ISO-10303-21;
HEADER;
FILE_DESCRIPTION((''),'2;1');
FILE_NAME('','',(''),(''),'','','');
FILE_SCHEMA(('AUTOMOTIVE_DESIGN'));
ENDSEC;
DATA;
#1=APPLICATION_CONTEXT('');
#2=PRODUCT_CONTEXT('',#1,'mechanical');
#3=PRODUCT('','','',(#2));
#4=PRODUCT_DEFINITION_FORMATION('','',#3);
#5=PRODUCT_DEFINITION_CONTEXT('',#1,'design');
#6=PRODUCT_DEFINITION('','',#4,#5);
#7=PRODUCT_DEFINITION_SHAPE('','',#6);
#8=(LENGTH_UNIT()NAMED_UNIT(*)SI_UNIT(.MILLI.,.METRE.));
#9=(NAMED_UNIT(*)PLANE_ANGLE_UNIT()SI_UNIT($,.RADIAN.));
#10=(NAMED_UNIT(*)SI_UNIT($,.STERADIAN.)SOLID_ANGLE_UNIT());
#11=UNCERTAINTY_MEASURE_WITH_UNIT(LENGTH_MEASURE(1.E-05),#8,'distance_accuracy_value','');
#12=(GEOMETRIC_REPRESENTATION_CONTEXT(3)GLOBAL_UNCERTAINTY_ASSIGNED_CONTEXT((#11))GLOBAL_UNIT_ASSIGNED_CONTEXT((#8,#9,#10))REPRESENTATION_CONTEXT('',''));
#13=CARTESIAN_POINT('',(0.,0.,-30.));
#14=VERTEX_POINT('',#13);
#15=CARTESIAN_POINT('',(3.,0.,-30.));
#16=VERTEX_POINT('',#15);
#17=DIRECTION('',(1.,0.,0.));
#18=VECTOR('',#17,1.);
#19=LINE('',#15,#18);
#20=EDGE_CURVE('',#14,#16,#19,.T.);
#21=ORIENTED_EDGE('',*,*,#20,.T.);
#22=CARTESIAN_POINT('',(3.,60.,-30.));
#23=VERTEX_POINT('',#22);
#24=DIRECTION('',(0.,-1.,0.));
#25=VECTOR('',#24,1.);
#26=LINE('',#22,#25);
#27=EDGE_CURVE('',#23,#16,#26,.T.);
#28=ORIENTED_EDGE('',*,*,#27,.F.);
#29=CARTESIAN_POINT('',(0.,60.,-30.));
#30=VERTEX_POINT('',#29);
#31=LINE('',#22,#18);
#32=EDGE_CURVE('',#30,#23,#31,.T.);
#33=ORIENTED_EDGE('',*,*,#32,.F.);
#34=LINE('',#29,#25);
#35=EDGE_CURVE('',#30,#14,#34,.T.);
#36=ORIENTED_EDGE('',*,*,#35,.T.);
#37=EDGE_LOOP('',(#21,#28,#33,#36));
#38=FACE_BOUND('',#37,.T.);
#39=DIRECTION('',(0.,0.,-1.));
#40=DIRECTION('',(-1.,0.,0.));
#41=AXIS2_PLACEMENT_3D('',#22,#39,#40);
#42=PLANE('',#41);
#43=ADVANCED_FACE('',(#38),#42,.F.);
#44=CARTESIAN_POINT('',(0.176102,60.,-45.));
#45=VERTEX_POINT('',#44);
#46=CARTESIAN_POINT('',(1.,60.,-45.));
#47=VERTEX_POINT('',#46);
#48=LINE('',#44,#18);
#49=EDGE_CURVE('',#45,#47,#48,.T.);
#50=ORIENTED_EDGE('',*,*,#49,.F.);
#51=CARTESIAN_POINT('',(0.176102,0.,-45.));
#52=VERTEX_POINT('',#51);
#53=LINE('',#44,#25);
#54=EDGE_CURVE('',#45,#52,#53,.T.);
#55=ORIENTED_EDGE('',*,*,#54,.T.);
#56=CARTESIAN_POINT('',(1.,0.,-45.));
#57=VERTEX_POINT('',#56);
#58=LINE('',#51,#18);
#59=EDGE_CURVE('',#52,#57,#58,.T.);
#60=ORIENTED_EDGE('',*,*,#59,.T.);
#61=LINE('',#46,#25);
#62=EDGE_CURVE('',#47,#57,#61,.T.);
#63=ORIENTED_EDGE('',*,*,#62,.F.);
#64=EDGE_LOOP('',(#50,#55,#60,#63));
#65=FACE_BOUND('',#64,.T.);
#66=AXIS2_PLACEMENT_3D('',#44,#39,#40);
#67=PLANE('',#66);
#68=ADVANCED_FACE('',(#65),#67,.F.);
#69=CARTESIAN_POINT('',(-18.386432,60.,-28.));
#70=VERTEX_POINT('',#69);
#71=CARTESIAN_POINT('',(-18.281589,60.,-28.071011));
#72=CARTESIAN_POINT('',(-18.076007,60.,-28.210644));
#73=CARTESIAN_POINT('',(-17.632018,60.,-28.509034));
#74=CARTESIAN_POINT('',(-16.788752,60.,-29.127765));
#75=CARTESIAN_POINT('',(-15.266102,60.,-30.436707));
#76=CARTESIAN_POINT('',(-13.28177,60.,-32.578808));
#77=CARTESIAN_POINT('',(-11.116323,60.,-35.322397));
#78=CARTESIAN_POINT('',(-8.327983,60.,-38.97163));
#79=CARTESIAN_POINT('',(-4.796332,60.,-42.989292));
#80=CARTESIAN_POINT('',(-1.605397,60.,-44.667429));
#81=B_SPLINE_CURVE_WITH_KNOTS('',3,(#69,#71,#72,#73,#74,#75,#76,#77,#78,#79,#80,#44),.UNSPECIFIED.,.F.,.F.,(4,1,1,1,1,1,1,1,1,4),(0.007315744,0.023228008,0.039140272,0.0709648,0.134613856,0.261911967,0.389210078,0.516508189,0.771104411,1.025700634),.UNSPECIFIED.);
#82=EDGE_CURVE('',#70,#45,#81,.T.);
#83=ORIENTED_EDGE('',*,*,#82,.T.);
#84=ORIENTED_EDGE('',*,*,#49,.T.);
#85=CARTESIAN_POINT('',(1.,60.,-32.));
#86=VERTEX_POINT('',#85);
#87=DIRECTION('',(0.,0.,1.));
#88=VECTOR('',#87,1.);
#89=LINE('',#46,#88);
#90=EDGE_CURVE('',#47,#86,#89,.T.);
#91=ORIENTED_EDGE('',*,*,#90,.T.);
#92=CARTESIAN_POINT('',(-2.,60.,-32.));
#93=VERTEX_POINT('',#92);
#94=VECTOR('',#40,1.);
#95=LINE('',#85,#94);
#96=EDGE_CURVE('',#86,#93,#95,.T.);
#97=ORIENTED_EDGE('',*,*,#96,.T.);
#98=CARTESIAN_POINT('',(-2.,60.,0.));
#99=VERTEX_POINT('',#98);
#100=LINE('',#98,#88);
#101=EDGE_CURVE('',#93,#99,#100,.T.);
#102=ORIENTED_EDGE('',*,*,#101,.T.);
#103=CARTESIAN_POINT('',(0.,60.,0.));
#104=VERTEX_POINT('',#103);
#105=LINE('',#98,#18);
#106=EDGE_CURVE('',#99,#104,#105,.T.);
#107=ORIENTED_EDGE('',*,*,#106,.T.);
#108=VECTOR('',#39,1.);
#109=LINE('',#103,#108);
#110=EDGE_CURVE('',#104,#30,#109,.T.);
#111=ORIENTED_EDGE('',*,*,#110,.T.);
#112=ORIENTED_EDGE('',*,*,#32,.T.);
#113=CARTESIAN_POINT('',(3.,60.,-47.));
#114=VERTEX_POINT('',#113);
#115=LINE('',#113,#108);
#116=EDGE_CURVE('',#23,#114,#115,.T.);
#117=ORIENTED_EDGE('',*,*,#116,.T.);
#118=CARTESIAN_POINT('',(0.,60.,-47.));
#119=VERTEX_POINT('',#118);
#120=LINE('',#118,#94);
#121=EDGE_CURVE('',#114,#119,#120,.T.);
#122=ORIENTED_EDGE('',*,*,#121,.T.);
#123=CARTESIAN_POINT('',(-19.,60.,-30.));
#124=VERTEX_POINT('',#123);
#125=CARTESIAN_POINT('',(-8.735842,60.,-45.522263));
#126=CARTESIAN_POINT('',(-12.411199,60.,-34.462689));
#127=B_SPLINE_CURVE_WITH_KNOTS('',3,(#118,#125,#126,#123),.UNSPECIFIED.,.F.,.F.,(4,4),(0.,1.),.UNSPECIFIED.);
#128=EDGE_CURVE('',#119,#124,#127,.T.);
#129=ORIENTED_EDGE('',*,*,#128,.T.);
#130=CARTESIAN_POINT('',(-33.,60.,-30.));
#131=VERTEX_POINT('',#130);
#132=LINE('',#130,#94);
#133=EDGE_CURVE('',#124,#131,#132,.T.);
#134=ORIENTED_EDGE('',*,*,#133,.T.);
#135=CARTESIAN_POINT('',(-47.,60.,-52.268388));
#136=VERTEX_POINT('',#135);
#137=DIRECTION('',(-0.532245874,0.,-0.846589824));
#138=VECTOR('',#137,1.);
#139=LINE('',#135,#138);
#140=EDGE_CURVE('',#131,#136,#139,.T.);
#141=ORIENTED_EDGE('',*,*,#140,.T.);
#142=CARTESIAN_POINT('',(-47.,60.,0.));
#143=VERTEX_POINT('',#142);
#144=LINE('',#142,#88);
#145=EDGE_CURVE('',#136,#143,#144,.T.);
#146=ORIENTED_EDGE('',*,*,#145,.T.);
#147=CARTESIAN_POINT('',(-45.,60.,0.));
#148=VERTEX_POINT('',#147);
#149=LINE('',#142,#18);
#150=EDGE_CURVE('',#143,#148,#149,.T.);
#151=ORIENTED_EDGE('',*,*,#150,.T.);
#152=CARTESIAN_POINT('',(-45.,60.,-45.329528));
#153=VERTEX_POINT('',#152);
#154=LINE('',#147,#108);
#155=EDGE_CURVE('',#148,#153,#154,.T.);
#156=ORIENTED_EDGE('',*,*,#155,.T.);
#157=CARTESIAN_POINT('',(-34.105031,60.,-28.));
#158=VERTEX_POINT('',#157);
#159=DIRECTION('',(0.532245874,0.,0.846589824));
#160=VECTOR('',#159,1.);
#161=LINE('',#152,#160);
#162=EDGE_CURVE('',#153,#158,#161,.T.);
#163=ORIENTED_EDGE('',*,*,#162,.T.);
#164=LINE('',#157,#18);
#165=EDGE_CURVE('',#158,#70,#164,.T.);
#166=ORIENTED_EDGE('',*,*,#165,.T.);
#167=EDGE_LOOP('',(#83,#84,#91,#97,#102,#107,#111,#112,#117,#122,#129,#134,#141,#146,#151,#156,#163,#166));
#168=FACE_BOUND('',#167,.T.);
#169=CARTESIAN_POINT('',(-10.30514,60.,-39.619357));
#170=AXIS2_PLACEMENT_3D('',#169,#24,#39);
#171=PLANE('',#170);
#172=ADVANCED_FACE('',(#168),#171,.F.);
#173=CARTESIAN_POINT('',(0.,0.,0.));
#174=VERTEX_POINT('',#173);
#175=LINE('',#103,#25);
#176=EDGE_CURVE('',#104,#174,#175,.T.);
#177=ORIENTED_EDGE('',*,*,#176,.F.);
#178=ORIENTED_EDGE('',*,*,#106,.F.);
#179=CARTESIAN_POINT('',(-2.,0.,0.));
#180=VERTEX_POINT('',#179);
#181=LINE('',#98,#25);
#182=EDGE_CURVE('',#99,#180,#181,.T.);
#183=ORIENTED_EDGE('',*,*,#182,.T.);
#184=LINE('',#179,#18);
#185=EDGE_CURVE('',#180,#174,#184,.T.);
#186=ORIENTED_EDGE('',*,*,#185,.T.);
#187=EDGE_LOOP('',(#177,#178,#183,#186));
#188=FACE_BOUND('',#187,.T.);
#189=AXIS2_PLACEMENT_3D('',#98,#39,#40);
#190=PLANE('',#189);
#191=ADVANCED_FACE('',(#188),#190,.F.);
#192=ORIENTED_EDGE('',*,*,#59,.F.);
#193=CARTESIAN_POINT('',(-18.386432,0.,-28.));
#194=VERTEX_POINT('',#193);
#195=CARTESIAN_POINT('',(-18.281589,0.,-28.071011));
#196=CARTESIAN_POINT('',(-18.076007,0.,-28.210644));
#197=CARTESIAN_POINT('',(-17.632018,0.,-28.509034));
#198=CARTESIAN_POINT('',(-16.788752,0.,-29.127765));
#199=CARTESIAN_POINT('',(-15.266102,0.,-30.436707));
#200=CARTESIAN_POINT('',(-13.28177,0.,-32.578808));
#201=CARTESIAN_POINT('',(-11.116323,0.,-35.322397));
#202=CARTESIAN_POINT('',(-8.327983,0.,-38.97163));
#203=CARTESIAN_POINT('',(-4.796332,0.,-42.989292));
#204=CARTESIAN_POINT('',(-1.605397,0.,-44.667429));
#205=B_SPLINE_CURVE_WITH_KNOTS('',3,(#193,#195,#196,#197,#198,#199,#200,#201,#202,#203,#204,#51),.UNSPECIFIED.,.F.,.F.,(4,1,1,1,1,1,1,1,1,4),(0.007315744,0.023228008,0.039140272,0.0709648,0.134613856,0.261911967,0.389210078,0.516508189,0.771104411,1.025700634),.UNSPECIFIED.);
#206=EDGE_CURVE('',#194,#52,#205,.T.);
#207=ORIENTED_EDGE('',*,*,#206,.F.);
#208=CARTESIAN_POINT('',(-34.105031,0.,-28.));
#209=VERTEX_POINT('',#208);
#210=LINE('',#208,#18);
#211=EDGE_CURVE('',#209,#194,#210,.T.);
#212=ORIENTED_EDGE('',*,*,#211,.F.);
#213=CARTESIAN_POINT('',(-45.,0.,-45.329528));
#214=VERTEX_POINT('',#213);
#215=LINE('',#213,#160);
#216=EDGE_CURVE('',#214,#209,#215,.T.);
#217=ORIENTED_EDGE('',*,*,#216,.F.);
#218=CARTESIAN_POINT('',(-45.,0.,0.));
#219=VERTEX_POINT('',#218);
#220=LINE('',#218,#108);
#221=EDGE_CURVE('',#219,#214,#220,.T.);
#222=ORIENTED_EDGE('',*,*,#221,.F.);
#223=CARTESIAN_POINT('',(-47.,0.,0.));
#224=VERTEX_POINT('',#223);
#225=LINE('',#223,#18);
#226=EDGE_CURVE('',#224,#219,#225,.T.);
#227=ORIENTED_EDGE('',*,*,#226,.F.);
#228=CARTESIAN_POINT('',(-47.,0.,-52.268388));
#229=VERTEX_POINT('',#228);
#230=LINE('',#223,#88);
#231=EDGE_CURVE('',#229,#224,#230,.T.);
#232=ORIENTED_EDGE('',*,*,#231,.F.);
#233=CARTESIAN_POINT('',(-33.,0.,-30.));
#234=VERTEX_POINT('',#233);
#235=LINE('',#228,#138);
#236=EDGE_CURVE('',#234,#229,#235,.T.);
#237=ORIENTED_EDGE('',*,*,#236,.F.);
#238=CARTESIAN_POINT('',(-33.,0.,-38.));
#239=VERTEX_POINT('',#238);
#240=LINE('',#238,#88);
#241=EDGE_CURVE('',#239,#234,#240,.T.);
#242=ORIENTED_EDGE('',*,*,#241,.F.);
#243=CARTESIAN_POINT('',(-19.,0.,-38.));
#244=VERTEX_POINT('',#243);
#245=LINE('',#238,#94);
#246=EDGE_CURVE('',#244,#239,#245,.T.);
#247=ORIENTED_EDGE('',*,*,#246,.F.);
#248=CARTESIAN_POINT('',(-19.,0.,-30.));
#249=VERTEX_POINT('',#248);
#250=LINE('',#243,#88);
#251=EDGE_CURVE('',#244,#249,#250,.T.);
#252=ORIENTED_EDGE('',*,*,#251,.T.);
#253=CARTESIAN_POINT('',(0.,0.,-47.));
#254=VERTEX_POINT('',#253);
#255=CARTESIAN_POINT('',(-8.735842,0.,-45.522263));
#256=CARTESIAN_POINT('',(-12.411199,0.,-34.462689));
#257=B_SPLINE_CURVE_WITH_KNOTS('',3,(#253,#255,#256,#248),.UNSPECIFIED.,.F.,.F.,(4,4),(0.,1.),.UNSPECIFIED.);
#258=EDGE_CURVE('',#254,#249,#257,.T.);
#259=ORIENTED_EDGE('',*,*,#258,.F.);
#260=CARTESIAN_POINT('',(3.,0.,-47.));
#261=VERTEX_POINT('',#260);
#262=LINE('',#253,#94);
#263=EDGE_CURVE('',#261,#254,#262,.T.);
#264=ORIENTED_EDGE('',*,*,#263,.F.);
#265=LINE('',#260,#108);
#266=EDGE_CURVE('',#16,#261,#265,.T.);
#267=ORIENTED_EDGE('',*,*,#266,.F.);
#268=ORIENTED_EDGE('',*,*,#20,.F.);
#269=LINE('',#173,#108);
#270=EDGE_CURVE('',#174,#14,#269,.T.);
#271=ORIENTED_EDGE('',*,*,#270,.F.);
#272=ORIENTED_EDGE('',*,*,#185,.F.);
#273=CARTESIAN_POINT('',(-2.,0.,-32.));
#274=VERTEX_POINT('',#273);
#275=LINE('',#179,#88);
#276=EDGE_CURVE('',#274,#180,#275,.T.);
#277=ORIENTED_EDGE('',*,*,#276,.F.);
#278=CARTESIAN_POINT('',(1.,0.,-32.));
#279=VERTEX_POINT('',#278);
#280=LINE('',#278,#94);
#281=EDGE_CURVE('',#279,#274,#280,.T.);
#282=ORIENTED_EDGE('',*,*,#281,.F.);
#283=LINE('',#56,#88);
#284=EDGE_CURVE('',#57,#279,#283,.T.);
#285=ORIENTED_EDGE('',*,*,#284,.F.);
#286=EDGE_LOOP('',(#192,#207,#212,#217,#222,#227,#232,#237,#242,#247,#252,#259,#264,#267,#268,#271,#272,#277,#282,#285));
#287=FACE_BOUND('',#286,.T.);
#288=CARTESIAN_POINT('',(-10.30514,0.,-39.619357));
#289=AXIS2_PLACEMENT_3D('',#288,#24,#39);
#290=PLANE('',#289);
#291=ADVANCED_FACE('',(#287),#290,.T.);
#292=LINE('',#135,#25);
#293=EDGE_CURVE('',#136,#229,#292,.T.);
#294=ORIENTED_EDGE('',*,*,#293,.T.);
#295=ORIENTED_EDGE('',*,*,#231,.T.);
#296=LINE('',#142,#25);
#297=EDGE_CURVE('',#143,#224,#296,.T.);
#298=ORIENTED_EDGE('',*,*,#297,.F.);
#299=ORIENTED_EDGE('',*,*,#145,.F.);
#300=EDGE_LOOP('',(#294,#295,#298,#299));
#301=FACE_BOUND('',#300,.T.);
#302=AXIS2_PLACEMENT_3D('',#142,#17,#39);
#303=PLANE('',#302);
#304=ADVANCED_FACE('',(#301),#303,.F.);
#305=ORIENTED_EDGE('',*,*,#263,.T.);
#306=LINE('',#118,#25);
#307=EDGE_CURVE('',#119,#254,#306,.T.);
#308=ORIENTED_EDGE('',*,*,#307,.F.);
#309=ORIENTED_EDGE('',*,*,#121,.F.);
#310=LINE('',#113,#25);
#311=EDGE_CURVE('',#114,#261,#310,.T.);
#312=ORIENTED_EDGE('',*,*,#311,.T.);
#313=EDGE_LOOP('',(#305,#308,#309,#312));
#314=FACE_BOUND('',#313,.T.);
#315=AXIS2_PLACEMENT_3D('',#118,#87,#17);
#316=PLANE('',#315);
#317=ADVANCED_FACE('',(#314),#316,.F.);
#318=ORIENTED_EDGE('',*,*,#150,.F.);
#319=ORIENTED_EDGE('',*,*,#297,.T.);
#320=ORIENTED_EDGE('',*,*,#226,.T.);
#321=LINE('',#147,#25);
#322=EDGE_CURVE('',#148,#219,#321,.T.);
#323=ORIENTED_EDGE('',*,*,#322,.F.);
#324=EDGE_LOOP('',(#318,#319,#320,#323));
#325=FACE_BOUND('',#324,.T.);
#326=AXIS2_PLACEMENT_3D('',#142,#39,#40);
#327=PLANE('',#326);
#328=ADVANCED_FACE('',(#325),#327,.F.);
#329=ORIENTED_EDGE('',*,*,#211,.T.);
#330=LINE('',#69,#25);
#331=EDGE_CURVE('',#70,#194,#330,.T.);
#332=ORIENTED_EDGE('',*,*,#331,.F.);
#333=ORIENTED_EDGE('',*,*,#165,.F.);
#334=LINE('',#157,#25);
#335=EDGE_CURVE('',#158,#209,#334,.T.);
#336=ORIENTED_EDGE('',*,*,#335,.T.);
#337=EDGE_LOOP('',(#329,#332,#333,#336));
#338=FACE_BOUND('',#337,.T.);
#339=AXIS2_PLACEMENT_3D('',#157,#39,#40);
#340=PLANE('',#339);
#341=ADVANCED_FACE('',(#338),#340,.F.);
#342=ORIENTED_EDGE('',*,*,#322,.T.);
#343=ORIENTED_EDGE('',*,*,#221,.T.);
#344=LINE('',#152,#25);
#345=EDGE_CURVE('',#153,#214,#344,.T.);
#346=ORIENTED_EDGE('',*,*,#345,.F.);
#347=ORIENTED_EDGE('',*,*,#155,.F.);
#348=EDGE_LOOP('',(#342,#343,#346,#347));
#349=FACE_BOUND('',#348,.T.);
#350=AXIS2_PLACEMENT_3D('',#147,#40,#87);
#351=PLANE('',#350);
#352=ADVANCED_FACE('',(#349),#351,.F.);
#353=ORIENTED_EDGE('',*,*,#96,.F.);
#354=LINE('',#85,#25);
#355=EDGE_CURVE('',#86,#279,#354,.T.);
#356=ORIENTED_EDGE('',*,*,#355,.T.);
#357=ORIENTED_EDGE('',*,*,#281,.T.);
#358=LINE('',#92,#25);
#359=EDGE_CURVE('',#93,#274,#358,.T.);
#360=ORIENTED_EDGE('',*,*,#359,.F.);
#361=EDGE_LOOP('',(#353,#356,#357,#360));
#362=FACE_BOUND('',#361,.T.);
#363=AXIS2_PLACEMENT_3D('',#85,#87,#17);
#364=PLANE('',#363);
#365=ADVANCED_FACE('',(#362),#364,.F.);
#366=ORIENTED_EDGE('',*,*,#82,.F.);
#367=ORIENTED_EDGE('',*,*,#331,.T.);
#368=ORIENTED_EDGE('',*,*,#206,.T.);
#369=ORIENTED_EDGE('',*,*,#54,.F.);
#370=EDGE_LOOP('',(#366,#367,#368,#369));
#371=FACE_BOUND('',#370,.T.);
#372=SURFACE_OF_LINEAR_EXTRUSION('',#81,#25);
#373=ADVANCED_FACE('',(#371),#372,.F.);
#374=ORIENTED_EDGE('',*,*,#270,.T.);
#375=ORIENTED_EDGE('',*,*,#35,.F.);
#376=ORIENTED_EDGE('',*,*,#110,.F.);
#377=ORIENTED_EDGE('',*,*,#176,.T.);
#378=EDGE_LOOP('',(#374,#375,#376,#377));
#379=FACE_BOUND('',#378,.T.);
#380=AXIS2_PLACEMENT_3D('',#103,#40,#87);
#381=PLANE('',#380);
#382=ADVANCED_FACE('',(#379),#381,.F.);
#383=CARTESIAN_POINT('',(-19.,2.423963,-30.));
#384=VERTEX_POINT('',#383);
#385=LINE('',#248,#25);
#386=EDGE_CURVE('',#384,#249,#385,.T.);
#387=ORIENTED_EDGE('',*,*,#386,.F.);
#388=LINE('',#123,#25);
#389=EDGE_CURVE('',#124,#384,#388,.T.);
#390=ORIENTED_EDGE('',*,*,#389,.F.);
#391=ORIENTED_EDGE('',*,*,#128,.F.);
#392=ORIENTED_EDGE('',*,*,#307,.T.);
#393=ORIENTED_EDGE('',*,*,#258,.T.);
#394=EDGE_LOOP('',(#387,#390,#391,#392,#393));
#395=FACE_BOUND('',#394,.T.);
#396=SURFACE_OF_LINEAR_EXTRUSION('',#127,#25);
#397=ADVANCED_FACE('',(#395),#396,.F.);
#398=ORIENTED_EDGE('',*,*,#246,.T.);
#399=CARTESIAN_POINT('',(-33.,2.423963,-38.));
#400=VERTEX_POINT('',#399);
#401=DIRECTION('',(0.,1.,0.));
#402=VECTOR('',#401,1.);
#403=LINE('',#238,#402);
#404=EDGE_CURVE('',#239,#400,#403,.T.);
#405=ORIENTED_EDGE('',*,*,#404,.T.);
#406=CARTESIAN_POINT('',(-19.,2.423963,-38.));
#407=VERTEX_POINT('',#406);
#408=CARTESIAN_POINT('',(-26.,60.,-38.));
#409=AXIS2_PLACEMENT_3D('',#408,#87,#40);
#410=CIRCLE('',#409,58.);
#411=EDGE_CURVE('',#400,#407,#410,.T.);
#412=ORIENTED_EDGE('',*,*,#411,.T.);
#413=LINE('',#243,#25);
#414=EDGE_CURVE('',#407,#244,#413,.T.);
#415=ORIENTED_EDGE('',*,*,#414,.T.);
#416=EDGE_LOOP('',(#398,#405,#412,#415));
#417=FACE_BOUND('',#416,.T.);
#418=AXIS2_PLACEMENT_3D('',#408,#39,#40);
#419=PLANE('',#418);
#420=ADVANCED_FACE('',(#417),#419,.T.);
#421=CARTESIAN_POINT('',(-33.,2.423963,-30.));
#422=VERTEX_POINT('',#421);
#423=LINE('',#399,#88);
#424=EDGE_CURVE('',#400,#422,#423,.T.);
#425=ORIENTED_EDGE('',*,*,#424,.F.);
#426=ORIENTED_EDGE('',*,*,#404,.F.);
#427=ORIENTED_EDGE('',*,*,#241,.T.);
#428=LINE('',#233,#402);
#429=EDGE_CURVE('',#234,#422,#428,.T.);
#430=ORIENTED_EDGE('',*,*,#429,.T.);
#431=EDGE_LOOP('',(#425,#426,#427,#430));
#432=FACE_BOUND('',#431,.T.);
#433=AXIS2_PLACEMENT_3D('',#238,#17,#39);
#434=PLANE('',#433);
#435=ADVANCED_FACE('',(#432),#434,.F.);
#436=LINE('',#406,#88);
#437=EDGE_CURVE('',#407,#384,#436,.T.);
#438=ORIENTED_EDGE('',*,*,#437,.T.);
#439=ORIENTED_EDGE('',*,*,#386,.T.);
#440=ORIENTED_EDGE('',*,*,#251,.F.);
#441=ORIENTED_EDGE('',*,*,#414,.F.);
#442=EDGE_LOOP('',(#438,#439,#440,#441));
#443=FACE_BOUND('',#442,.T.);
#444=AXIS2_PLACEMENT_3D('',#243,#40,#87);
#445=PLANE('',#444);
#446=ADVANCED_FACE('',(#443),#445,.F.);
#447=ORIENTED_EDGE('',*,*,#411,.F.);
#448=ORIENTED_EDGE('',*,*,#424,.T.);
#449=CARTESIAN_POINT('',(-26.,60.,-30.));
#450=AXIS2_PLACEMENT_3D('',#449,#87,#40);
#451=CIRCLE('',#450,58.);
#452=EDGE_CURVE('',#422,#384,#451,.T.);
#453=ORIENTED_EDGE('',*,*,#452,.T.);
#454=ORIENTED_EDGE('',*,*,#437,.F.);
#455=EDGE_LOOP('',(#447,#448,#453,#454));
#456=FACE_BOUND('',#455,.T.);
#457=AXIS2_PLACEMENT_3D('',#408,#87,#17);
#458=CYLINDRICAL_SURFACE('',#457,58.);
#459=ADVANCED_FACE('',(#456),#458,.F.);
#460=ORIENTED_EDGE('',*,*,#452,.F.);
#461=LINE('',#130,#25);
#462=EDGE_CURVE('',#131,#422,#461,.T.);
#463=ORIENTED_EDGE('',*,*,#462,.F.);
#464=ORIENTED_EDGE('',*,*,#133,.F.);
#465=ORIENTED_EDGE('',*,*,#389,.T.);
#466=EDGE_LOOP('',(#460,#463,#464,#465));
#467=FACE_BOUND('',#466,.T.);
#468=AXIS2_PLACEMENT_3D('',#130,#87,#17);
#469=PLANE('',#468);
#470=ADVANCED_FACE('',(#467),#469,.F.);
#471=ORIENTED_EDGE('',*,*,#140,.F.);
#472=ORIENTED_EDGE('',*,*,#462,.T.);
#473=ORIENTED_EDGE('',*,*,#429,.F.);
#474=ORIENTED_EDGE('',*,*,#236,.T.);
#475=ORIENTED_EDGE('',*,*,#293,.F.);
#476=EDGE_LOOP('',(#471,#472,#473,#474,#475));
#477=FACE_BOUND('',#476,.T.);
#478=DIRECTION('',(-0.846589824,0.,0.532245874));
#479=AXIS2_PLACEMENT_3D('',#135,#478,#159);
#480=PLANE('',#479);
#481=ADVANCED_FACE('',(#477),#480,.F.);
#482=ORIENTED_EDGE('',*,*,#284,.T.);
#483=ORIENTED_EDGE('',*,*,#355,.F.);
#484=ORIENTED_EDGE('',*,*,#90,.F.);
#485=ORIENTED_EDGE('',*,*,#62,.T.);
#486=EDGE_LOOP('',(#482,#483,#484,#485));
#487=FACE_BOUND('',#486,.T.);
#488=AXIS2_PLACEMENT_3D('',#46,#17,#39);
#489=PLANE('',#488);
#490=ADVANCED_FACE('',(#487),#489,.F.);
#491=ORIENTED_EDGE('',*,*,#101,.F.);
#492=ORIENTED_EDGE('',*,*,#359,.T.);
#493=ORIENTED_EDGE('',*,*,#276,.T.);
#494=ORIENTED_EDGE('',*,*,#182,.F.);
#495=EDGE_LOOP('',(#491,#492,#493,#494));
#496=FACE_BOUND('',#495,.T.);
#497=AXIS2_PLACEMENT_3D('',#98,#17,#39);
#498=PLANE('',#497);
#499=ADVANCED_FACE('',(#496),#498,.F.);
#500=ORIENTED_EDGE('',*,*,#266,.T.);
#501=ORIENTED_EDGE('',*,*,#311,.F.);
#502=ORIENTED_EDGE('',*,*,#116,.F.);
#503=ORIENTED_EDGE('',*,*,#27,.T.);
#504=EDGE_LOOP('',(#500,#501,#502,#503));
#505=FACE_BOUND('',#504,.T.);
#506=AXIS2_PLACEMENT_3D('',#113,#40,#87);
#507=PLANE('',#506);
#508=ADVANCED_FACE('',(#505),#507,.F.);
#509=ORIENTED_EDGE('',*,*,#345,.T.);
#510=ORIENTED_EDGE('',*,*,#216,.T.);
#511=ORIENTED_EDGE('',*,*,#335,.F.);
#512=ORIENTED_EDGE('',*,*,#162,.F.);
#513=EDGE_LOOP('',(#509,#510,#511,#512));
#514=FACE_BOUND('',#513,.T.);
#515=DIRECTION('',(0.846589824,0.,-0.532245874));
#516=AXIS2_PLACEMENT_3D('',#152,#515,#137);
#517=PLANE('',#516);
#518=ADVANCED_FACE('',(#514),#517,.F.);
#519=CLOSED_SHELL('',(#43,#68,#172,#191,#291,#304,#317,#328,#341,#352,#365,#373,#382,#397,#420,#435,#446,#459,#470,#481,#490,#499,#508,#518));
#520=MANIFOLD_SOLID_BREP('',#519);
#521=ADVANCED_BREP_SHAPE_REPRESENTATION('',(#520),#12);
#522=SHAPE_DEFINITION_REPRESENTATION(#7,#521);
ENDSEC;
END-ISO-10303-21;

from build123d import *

# Parameters (mm, degrees)
BOSS_EXTRUDE12_DEPTH = 60
BOSS_EXTRUDE13_DEPTH = 8


with BuildPart() as part:
    # Sketch1 → Boss-Extrude12 (new body)
    with BuildSketch(Plane(origin=(0, 0, 0), x_dir=(1, 0, 0), z_dir=(0, 1, 0))):
        with BuildLine():
            Line((3, 47), (3, 30))
            Line((3, 30), (0, 30))
            Line((0, 30), (0, 0))
            Line((0, 0), (-2, 0))
            Line((-2, 0), (-2, 32))
            Line((-2, 32), (1, 32))
            Line((1, 32), (1, 45))
            Line((1, 45), (0.176102142, 45))
            add(Edge.make_bspline(
                [(-18.386432119, 28), (-18.281589374, 28.071011485), (-18.076006872, 28.210643772), (-17.632017964, 28.509033814), (-16.788752159, 29.127765228), (-15.266101597, 30.436706514), (-13.281769764, 32.578807621), (-11.116323446, 35.322397153), (-8.327983452, 38.971629637), (-4.796332276, 42.989291988), (-1.605396872, 44.667429051), (0.176102142, 45)],
                knots=[0.007315744, 0.007315744, 0.007315744, 0.007315744, 0.023228008, 0.039140272, 0.0709648, 0.134613856, 0.261911967, 0.389210078, 0.516508189, 0.771104411, 1.025700634, 1.025700634, 1.025700634, 1.025700634], degree=3))
            Line((-18.386432119, 28), (-34.105031298, 28))
            Line((-34.105031298, 28), (-45, 45.32952773))
            Line((-45, 45.32952773), (-45, 0))
            Line((-45, 0), (-47, 0))
            Line((-47, 0), (-47, 52.268387809))
            Line((-47, 52.268387809), (-33, 30))
            Line((-33, 30), (-19, 30))
            add(Edge.make_bspline(
                [(0, 47), (-8.735842334, 45.522262704), (-12.411198706, 34.462689008), (-19, 30)],
                knots=[0, 0, 0, 0, 1, 1, 1, 1], degree=3))
            Line((0, 47), (3, 47))
        make_face()
    extrude(amount=BOSS_EXTRUDE12_DEPTH)

    # Sketch2 → Boss-Extrude13 (add)
    with BuildSketch(Plane(origin=(0, 0, -30), x_dir=(-1, 0, 0), z_dir=(0, 0, -1))):
        with BuildLine():
            Line((33, 0), (19, 0))
            Line((19, 0), (19, 2.423963318))
            ThreePointArc((19, 2.423963318), (26, 2), (33, 2.423963318))
            Line((33, 2.423963318), (33, 0))
        make_face()
    extrude(amount=BOSS_EXTRUDE13_DEPTH)


solid = part.part
